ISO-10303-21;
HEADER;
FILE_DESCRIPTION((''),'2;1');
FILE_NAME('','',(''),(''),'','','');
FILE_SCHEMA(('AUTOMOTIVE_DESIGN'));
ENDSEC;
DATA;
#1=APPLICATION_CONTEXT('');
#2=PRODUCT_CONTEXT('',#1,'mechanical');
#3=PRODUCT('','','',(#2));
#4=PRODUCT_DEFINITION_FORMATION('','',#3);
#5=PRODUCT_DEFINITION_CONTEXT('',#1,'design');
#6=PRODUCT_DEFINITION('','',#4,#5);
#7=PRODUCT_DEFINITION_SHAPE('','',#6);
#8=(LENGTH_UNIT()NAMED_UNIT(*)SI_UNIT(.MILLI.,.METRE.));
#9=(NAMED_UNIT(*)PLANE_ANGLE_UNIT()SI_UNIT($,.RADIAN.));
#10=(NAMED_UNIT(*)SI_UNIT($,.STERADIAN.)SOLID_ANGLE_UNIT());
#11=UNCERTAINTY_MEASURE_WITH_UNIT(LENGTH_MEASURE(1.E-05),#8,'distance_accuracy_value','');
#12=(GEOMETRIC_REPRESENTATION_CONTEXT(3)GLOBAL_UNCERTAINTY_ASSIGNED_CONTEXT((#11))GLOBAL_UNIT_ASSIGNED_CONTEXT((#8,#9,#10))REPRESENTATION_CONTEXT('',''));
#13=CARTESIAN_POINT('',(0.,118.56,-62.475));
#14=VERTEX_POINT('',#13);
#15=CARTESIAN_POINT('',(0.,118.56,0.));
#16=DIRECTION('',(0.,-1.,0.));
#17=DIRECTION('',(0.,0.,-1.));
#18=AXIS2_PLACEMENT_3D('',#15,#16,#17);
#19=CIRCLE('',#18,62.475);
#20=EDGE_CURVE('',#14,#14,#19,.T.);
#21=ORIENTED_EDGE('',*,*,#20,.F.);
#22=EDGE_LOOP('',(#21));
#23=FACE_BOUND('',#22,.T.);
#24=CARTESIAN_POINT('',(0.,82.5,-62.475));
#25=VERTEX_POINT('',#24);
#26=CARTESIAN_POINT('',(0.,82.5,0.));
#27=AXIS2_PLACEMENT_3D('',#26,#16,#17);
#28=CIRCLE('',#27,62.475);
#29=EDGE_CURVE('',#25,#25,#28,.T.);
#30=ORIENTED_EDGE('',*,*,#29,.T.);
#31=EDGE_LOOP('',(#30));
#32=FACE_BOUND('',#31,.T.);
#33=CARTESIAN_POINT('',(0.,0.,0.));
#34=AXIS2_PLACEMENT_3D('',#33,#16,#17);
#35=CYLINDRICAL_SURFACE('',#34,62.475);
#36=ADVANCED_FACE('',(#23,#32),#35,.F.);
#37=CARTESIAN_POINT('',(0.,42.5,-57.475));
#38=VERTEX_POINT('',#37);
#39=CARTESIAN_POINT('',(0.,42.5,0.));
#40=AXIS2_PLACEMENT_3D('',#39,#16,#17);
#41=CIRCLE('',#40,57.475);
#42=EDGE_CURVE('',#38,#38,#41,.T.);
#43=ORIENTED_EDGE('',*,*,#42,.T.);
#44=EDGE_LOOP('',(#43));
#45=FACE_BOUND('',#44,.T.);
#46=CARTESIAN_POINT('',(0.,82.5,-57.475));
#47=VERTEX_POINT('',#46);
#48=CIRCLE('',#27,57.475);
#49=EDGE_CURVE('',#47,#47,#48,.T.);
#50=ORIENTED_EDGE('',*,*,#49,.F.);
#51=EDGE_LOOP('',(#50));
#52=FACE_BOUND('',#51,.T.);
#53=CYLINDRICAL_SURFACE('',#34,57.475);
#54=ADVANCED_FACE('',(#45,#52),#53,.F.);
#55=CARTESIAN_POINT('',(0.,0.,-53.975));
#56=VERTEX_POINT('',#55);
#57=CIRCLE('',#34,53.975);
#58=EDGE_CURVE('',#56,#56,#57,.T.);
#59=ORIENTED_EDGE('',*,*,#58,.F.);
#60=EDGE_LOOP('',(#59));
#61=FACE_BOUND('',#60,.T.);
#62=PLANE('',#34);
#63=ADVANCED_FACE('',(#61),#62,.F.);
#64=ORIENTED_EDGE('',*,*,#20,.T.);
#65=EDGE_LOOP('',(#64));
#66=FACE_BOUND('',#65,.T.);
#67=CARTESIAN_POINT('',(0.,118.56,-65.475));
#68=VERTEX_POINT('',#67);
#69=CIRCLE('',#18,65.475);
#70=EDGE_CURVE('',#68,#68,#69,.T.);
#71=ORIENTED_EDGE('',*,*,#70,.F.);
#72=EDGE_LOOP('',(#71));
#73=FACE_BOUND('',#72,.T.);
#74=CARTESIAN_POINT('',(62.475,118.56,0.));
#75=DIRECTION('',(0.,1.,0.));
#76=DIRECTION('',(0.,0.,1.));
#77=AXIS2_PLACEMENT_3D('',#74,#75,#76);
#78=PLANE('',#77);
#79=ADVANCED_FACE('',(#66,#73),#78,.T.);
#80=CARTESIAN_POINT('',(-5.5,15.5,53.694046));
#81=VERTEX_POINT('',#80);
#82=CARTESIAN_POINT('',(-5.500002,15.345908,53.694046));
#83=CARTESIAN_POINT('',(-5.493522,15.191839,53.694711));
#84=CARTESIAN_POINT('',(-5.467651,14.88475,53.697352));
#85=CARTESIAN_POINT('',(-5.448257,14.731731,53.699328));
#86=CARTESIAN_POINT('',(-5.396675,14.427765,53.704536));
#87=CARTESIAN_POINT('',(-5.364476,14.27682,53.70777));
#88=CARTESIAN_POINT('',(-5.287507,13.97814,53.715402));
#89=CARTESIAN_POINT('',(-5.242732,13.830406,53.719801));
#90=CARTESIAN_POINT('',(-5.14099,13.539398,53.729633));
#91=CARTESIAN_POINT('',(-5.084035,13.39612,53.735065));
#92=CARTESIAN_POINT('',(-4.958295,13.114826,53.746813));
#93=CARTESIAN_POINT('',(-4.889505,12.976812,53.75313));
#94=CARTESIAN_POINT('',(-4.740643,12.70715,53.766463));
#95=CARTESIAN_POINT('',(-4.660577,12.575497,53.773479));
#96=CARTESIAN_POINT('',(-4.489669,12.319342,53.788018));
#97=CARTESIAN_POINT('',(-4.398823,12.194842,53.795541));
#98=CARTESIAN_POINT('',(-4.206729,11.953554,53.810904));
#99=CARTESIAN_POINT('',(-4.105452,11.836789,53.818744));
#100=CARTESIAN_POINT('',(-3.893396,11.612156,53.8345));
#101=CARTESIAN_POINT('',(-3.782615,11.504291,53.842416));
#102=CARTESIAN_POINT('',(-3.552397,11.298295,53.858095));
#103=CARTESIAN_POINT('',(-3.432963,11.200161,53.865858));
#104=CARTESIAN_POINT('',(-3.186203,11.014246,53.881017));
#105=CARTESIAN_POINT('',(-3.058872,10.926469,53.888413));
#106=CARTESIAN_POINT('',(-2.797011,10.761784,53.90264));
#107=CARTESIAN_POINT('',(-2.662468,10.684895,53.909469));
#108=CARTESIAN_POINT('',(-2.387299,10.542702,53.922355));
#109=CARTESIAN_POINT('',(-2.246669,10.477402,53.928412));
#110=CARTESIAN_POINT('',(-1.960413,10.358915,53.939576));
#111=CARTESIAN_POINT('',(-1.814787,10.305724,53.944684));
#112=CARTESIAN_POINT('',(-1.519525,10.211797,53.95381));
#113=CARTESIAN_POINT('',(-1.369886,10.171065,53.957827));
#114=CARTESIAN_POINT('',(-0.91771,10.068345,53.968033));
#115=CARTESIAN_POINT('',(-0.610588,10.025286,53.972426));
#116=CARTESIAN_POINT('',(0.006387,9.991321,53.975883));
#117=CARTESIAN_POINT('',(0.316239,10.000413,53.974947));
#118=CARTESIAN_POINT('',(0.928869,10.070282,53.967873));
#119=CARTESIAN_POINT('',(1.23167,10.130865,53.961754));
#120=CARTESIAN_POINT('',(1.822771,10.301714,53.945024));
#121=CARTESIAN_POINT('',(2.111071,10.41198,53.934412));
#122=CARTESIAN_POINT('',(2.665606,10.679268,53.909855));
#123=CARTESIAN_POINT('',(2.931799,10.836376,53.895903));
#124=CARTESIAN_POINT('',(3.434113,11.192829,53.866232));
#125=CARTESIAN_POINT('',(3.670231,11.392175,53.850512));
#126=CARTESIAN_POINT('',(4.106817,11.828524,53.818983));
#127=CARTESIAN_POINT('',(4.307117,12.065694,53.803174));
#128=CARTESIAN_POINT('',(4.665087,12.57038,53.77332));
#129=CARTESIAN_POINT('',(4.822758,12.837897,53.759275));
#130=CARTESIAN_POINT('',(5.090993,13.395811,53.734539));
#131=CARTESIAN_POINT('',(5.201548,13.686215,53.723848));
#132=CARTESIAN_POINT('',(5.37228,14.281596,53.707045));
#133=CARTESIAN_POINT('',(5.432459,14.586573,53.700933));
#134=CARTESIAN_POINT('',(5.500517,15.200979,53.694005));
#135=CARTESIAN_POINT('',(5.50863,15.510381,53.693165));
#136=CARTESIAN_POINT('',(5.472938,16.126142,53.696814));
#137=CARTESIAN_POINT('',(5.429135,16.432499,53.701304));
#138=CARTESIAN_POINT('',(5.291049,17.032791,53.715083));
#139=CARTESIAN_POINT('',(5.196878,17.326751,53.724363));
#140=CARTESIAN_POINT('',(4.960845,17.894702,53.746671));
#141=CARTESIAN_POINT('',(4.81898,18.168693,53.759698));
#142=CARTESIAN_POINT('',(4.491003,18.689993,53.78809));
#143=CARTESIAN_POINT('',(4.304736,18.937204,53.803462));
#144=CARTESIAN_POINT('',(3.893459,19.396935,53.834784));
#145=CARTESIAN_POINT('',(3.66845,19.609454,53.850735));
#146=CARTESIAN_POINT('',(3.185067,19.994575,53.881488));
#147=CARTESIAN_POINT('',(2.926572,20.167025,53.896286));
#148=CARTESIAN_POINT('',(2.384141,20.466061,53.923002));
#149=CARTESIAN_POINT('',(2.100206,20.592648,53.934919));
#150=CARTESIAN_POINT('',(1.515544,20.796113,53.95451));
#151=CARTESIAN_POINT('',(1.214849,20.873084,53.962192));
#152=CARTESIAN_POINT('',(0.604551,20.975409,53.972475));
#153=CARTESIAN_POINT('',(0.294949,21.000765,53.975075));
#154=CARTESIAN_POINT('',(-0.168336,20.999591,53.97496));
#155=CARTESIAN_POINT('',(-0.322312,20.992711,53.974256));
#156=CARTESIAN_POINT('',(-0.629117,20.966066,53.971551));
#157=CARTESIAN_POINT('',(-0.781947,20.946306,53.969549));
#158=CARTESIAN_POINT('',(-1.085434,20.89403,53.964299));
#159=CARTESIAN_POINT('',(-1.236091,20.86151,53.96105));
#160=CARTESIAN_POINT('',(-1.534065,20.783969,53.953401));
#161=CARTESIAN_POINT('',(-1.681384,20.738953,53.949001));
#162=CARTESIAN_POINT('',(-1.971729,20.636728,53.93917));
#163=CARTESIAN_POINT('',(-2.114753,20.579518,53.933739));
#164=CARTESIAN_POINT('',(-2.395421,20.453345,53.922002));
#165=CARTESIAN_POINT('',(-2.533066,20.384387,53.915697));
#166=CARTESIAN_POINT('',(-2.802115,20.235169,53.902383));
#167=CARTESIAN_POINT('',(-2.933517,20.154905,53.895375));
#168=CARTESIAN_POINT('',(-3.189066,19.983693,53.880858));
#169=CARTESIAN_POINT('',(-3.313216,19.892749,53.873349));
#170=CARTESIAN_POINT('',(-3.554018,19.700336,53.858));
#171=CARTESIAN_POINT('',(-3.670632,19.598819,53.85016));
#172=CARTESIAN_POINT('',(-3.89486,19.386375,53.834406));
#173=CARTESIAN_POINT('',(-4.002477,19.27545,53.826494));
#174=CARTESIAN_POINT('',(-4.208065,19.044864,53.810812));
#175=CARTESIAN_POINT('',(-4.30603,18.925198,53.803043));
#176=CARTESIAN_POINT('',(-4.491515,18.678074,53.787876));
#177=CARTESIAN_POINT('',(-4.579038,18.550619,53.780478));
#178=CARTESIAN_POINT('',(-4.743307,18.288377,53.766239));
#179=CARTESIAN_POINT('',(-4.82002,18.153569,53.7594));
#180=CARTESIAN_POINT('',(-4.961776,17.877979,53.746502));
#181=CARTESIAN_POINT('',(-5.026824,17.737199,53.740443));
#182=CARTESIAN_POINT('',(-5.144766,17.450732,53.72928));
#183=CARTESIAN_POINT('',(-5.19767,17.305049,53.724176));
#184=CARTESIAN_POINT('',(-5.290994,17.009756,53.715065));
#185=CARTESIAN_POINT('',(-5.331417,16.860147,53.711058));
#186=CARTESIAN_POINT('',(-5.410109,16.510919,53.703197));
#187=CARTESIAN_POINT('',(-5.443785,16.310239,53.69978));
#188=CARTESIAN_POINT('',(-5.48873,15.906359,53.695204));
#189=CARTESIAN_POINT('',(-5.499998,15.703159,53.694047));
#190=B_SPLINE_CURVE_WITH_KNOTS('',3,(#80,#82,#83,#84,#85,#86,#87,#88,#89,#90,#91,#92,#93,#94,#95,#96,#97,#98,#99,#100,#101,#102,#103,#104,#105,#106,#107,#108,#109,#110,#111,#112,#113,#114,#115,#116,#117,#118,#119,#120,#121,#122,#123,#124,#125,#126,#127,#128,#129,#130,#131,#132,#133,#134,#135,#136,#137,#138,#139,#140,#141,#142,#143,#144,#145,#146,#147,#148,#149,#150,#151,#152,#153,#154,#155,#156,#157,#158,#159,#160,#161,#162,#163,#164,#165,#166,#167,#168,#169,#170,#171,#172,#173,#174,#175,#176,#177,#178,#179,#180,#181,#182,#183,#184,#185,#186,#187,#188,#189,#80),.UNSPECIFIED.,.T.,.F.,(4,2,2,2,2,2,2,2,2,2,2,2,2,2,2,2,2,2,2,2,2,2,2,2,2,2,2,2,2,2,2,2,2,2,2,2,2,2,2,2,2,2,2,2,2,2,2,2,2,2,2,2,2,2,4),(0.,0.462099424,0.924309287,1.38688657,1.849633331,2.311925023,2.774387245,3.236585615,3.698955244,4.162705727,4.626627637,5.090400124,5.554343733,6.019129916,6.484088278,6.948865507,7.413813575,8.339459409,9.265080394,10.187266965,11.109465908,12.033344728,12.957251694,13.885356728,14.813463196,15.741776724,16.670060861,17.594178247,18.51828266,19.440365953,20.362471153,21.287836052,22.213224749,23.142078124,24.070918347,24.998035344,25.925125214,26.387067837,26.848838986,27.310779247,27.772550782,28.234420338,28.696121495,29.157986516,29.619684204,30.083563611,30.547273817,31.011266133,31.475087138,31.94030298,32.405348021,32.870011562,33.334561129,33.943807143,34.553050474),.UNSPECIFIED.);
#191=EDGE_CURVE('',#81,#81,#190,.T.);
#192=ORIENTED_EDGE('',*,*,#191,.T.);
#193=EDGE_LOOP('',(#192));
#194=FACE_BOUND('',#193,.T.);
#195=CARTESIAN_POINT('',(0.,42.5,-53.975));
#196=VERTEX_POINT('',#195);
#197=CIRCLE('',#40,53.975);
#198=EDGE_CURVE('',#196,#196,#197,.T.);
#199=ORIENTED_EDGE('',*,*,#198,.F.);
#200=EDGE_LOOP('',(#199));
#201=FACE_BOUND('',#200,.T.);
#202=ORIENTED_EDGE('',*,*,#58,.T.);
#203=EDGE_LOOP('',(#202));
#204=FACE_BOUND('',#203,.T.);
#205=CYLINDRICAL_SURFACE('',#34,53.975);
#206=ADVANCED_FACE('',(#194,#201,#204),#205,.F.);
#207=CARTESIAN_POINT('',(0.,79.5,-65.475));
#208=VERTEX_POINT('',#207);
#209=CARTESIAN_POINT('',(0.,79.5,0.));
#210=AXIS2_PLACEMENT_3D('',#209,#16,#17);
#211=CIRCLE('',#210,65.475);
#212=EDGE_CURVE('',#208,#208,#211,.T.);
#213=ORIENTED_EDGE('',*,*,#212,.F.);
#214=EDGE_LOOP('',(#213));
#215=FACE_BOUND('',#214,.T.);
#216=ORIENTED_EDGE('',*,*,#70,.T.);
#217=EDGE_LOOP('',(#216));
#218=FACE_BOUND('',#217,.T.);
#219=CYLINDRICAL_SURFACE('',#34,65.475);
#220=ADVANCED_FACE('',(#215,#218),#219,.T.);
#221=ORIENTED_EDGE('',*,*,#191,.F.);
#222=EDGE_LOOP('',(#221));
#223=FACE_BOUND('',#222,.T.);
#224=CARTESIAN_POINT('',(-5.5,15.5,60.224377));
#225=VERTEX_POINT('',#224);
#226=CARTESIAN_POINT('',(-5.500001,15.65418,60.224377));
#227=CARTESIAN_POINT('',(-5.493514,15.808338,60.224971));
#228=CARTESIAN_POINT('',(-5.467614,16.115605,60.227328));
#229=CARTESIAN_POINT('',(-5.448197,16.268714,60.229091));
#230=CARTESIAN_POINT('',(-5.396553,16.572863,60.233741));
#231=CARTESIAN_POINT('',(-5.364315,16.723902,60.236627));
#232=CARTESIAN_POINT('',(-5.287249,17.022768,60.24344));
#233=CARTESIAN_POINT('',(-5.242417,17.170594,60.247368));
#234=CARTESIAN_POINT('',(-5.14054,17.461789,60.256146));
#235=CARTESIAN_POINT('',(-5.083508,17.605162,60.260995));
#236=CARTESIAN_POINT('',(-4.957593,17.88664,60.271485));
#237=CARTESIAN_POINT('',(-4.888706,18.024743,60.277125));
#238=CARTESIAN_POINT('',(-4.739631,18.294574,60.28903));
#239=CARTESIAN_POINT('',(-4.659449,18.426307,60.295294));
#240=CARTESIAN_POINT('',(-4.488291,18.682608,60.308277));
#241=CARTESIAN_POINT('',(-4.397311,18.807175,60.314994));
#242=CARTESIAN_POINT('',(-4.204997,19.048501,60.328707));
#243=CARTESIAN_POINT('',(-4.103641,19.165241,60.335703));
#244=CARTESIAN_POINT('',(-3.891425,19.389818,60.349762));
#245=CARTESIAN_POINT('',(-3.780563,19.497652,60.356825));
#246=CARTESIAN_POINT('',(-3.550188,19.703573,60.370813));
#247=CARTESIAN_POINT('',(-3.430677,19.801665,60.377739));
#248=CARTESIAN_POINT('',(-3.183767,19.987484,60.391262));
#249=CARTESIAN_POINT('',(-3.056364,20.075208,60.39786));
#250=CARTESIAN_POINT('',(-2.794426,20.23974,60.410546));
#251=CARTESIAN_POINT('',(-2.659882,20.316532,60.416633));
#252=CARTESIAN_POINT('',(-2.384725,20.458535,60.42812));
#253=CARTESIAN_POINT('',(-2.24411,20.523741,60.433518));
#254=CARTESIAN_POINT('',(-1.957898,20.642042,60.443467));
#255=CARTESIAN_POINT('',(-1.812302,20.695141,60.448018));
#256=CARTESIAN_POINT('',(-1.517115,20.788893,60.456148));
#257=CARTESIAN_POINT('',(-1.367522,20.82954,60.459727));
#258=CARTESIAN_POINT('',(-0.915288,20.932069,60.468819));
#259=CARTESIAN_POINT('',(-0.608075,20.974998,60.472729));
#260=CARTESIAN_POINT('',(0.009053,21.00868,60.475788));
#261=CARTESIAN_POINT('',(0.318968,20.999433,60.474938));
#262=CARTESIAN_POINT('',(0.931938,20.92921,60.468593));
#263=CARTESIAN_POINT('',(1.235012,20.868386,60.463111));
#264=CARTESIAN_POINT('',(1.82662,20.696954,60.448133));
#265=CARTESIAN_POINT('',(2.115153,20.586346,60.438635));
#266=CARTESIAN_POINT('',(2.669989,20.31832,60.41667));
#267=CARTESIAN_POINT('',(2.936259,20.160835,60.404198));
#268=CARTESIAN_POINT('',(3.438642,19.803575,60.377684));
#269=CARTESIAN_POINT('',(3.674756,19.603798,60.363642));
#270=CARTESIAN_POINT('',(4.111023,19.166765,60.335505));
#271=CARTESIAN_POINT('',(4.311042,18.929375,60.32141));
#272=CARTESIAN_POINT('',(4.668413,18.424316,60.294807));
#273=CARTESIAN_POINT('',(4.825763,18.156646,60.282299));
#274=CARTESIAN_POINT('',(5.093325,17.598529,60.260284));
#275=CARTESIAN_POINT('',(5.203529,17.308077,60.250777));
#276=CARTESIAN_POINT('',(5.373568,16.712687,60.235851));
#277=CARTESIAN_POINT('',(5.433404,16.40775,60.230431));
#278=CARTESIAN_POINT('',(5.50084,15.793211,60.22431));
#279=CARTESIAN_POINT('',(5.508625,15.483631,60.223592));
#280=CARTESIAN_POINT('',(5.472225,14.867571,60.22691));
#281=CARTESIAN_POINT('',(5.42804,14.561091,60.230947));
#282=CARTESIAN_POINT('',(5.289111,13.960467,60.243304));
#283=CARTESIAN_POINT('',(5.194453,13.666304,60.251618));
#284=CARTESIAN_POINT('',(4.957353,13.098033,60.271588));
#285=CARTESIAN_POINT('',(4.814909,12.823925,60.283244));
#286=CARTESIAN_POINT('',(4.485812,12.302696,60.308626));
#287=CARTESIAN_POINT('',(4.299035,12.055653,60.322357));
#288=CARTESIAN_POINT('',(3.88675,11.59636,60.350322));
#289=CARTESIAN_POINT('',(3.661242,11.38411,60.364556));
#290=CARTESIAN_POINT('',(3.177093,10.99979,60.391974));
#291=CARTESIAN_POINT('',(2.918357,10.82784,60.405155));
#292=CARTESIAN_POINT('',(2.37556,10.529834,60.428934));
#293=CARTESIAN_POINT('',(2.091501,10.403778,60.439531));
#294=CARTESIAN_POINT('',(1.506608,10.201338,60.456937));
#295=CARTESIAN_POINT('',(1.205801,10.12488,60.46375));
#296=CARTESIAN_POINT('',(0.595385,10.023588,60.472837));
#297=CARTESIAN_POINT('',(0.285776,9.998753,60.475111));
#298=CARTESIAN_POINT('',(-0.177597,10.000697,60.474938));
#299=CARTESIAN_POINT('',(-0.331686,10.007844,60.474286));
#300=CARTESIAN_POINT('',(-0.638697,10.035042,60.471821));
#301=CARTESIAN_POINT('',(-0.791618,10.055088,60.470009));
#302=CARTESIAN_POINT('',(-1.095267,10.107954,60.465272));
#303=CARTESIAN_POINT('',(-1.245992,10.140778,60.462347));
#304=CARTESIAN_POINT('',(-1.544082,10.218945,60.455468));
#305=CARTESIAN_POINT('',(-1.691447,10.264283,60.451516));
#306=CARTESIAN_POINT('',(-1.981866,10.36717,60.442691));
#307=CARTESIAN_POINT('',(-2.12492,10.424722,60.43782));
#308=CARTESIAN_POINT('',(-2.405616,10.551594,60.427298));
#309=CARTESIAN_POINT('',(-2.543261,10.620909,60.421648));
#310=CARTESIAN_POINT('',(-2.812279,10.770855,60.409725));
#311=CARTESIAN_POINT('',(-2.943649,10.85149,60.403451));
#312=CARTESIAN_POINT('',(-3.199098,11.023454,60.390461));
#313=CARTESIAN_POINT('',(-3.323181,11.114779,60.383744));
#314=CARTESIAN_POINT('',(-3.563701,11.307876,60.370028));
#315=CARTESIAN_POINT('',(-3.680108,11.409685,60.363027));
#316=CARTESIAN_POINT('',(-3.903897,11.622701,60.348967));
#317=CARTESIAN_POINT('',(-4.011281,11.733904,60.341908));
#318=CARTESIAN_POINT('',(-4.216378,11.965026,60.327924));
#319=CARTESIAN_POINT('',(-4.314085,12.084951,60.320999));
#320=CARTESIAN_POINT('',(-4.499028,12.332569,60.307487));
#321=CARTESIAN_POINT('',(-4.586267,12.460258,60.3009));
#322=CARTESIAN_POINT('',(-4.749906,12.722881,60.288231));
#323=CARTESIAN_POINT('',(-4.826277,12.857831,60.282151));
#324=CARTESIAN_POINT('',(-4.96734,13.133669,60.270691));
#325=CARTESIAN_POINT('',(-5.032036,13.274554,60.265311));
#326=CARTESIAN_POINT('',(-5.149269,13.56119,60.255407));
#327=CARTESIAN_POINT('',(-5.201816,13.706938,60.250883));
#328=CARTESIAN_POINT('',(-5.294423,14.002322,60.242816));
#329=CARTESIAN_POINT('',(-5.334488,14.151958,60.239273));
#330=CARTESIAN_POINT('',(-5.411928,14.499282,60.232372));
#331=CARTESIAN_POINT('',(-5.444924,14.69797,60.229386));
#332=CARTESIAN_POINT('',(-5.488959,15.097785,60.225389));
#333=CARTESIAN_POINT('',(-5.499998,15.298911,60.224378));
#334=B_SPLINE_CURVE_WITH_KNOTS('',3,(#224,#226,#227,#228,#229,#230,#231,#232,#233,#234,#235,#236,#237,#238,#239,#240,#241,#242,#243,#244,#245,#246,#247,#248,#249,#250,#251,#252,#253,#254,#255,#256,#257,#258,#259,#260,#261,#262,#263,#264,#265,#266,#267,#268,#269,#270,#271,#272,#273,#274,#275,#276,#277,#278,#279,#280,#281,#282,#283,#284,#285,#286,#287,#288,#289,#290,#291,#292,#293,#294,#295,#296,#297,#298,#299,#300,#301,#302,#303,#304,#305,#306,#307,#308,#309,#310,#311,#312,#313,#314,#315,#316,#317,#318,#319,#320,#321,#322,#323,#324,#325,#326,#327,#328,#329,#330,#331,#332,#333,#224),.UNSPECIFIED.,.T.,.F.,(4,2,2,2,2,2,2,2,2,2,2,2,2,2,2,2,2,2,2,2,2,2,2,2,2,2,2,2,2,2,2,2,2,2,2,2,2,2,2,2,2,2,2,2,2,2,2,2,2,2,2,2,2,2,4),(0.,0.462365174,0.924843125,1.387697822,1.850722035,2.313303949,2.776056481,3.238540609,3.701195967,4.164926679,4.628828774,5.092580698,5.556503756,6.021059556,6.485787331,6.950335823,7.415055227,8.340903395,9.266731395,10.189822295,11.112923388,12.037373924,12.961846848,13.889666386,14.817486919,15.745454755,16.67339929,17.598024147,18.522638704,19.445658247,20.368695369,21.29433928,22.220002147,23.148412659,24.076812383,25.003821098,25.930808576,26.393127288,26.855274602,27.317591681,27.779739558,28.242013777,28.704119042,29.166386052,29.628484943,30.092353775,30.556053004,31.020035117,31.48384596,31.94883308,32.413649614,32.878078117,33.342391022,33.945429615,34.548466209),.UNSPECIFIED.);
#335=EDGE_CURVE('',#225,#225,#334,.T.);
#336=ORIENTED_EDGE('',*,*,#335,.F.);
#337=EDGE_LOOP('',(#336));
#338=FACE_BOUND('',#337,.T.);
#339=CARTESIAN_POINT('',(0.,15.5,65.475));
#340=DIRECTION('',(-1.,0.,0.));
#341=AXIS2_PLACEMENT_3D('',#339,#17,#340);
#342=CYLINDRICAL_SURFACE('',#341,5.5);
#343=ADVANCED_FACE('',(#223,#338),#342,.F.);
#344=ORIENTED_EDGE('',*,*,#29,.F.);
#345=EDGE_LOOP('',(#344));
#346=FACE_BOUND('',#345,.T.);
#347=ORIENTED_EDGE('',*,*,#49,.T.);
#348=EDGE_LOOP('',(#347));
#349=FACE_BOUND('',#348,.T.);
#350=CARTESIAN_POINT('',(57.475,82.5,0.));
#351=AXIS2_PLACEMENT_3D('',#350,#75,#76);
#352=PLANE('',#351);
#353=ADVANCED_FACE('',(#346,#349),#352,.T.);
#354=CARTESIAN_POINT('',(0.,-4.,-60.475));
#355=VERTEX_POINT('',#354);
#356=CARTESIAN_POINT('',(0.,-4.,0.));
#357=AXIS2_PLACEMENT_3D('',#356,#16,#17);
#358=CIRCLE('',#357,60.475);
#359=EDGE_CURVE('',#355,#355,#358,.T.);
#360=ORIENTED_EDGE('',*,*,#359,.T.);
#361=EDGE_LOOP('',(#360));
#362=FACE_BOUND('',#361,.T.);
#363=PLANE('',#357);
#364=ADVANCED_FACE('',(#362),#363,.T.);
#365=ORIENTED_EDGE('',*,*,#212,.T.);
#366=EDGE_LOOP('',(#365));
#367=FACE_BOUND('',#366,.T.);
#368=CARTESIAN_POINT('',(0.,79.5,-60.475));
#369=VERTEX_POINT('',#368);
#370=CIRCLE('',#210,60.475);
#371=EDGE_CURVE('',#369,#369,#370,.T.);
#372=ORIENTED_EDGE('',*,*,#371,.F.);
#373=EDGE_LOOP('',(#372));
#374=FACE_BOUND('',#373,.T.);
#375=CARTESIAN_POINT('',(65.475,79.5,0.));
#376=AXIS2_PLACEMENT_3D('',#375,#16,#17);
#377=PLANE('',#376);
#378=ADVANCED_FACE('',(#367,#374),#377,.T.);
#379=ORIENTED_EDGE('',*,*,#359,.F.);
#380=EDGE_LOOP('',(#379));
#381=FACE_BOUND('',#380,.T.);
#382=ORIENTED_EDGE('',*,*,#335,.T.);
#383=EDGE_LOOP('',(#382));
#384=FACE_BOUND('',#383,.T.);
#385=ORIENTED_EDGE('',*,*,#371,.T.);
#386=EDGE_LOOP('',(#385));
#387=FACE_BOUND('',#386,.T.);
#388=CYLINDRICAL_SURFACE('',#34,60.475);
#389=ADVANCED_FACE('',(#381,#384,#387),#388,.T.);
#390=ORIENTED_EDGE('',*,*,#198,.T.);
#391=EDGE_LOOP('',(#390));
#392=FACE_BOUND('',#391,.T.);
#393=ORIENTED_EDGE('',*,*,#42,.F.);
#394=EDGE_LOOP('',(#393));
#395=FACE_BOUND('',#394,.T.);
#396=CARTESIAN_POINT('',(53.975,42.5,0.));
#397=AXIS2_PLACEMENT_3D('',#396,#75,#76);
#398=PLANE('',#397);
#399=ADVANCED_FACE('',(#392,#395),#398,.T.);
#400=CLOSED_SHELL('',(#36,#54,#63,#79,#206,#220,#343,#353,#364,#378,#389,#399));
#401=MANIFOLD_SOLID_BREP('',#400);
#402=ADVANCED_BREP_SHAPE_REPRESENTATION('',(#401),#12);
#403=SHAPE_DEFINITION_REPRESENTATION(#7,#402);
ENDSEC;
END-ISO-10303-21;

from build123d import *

# Parameters (mm, degrees)
BOSS_EXTRUDE1_START     = 4
SKETCH3_R               = 60.475
BOSS_EXTRUDE1_DEPTH     = 4
CUT_EXTRUDE1_DEPTH      = 151.434121296
CUT_EXTRUDE1_DEPTH_BACK = 4
SKETCH5_R               = 5.5


with BuildPart() as part:
    # Sketch1 → Revolve1 (revolve)
    with BuildSketch(Plane.XY, mode=Mode.PRIVATE) as revolve1_sk:
        Polygon((53.975, 0), (53.975, 42.5), (57.475, 42.5), (57.475, 82.5), (62.475, 82.5), (62.475, 118.56), (65.475, 118.56), (65.475, 79.5), (60.475, 79.5), (60.475, 0), align=None)
    revolve(revolve1_sk.sketch.rotate(Axis((0, 0, 0), (0, 1, 0)), 90), axis=Axis((0, 0, 0), (0, 1, 0)))

    # Sketch3 → Boss-Extrude1 (add)
    with BuildSketch(Plane.XZ.offset(BOSS_EXTRUDE1_START)):
        with Locations(Location((0, 0, 0), (0, 0, 270))):
            Circle(SKETCH3_R)
    extrude(amount=-BOSS_EXTRUDE1_DEPTH)

    # Sketch5 → Cut-Extrude1 (cut, two sides: drawn at the far end of the back side and taken through both)
    with BuildSketch(Plane.XY.offset(-CUT_EXTRUDE1_DEPTH_BACK)):
        with Locations(Location((0, 15.5, 0), (0, 0, 180))):
            Circle(SKETCH5_R)
    extrude(amount=CUT_EXTRUDE1_DEPTH + CUT_EXTRUDE1_DEPTH_BACK, mode=Mode.SUBTRACT)


solid = part.part
